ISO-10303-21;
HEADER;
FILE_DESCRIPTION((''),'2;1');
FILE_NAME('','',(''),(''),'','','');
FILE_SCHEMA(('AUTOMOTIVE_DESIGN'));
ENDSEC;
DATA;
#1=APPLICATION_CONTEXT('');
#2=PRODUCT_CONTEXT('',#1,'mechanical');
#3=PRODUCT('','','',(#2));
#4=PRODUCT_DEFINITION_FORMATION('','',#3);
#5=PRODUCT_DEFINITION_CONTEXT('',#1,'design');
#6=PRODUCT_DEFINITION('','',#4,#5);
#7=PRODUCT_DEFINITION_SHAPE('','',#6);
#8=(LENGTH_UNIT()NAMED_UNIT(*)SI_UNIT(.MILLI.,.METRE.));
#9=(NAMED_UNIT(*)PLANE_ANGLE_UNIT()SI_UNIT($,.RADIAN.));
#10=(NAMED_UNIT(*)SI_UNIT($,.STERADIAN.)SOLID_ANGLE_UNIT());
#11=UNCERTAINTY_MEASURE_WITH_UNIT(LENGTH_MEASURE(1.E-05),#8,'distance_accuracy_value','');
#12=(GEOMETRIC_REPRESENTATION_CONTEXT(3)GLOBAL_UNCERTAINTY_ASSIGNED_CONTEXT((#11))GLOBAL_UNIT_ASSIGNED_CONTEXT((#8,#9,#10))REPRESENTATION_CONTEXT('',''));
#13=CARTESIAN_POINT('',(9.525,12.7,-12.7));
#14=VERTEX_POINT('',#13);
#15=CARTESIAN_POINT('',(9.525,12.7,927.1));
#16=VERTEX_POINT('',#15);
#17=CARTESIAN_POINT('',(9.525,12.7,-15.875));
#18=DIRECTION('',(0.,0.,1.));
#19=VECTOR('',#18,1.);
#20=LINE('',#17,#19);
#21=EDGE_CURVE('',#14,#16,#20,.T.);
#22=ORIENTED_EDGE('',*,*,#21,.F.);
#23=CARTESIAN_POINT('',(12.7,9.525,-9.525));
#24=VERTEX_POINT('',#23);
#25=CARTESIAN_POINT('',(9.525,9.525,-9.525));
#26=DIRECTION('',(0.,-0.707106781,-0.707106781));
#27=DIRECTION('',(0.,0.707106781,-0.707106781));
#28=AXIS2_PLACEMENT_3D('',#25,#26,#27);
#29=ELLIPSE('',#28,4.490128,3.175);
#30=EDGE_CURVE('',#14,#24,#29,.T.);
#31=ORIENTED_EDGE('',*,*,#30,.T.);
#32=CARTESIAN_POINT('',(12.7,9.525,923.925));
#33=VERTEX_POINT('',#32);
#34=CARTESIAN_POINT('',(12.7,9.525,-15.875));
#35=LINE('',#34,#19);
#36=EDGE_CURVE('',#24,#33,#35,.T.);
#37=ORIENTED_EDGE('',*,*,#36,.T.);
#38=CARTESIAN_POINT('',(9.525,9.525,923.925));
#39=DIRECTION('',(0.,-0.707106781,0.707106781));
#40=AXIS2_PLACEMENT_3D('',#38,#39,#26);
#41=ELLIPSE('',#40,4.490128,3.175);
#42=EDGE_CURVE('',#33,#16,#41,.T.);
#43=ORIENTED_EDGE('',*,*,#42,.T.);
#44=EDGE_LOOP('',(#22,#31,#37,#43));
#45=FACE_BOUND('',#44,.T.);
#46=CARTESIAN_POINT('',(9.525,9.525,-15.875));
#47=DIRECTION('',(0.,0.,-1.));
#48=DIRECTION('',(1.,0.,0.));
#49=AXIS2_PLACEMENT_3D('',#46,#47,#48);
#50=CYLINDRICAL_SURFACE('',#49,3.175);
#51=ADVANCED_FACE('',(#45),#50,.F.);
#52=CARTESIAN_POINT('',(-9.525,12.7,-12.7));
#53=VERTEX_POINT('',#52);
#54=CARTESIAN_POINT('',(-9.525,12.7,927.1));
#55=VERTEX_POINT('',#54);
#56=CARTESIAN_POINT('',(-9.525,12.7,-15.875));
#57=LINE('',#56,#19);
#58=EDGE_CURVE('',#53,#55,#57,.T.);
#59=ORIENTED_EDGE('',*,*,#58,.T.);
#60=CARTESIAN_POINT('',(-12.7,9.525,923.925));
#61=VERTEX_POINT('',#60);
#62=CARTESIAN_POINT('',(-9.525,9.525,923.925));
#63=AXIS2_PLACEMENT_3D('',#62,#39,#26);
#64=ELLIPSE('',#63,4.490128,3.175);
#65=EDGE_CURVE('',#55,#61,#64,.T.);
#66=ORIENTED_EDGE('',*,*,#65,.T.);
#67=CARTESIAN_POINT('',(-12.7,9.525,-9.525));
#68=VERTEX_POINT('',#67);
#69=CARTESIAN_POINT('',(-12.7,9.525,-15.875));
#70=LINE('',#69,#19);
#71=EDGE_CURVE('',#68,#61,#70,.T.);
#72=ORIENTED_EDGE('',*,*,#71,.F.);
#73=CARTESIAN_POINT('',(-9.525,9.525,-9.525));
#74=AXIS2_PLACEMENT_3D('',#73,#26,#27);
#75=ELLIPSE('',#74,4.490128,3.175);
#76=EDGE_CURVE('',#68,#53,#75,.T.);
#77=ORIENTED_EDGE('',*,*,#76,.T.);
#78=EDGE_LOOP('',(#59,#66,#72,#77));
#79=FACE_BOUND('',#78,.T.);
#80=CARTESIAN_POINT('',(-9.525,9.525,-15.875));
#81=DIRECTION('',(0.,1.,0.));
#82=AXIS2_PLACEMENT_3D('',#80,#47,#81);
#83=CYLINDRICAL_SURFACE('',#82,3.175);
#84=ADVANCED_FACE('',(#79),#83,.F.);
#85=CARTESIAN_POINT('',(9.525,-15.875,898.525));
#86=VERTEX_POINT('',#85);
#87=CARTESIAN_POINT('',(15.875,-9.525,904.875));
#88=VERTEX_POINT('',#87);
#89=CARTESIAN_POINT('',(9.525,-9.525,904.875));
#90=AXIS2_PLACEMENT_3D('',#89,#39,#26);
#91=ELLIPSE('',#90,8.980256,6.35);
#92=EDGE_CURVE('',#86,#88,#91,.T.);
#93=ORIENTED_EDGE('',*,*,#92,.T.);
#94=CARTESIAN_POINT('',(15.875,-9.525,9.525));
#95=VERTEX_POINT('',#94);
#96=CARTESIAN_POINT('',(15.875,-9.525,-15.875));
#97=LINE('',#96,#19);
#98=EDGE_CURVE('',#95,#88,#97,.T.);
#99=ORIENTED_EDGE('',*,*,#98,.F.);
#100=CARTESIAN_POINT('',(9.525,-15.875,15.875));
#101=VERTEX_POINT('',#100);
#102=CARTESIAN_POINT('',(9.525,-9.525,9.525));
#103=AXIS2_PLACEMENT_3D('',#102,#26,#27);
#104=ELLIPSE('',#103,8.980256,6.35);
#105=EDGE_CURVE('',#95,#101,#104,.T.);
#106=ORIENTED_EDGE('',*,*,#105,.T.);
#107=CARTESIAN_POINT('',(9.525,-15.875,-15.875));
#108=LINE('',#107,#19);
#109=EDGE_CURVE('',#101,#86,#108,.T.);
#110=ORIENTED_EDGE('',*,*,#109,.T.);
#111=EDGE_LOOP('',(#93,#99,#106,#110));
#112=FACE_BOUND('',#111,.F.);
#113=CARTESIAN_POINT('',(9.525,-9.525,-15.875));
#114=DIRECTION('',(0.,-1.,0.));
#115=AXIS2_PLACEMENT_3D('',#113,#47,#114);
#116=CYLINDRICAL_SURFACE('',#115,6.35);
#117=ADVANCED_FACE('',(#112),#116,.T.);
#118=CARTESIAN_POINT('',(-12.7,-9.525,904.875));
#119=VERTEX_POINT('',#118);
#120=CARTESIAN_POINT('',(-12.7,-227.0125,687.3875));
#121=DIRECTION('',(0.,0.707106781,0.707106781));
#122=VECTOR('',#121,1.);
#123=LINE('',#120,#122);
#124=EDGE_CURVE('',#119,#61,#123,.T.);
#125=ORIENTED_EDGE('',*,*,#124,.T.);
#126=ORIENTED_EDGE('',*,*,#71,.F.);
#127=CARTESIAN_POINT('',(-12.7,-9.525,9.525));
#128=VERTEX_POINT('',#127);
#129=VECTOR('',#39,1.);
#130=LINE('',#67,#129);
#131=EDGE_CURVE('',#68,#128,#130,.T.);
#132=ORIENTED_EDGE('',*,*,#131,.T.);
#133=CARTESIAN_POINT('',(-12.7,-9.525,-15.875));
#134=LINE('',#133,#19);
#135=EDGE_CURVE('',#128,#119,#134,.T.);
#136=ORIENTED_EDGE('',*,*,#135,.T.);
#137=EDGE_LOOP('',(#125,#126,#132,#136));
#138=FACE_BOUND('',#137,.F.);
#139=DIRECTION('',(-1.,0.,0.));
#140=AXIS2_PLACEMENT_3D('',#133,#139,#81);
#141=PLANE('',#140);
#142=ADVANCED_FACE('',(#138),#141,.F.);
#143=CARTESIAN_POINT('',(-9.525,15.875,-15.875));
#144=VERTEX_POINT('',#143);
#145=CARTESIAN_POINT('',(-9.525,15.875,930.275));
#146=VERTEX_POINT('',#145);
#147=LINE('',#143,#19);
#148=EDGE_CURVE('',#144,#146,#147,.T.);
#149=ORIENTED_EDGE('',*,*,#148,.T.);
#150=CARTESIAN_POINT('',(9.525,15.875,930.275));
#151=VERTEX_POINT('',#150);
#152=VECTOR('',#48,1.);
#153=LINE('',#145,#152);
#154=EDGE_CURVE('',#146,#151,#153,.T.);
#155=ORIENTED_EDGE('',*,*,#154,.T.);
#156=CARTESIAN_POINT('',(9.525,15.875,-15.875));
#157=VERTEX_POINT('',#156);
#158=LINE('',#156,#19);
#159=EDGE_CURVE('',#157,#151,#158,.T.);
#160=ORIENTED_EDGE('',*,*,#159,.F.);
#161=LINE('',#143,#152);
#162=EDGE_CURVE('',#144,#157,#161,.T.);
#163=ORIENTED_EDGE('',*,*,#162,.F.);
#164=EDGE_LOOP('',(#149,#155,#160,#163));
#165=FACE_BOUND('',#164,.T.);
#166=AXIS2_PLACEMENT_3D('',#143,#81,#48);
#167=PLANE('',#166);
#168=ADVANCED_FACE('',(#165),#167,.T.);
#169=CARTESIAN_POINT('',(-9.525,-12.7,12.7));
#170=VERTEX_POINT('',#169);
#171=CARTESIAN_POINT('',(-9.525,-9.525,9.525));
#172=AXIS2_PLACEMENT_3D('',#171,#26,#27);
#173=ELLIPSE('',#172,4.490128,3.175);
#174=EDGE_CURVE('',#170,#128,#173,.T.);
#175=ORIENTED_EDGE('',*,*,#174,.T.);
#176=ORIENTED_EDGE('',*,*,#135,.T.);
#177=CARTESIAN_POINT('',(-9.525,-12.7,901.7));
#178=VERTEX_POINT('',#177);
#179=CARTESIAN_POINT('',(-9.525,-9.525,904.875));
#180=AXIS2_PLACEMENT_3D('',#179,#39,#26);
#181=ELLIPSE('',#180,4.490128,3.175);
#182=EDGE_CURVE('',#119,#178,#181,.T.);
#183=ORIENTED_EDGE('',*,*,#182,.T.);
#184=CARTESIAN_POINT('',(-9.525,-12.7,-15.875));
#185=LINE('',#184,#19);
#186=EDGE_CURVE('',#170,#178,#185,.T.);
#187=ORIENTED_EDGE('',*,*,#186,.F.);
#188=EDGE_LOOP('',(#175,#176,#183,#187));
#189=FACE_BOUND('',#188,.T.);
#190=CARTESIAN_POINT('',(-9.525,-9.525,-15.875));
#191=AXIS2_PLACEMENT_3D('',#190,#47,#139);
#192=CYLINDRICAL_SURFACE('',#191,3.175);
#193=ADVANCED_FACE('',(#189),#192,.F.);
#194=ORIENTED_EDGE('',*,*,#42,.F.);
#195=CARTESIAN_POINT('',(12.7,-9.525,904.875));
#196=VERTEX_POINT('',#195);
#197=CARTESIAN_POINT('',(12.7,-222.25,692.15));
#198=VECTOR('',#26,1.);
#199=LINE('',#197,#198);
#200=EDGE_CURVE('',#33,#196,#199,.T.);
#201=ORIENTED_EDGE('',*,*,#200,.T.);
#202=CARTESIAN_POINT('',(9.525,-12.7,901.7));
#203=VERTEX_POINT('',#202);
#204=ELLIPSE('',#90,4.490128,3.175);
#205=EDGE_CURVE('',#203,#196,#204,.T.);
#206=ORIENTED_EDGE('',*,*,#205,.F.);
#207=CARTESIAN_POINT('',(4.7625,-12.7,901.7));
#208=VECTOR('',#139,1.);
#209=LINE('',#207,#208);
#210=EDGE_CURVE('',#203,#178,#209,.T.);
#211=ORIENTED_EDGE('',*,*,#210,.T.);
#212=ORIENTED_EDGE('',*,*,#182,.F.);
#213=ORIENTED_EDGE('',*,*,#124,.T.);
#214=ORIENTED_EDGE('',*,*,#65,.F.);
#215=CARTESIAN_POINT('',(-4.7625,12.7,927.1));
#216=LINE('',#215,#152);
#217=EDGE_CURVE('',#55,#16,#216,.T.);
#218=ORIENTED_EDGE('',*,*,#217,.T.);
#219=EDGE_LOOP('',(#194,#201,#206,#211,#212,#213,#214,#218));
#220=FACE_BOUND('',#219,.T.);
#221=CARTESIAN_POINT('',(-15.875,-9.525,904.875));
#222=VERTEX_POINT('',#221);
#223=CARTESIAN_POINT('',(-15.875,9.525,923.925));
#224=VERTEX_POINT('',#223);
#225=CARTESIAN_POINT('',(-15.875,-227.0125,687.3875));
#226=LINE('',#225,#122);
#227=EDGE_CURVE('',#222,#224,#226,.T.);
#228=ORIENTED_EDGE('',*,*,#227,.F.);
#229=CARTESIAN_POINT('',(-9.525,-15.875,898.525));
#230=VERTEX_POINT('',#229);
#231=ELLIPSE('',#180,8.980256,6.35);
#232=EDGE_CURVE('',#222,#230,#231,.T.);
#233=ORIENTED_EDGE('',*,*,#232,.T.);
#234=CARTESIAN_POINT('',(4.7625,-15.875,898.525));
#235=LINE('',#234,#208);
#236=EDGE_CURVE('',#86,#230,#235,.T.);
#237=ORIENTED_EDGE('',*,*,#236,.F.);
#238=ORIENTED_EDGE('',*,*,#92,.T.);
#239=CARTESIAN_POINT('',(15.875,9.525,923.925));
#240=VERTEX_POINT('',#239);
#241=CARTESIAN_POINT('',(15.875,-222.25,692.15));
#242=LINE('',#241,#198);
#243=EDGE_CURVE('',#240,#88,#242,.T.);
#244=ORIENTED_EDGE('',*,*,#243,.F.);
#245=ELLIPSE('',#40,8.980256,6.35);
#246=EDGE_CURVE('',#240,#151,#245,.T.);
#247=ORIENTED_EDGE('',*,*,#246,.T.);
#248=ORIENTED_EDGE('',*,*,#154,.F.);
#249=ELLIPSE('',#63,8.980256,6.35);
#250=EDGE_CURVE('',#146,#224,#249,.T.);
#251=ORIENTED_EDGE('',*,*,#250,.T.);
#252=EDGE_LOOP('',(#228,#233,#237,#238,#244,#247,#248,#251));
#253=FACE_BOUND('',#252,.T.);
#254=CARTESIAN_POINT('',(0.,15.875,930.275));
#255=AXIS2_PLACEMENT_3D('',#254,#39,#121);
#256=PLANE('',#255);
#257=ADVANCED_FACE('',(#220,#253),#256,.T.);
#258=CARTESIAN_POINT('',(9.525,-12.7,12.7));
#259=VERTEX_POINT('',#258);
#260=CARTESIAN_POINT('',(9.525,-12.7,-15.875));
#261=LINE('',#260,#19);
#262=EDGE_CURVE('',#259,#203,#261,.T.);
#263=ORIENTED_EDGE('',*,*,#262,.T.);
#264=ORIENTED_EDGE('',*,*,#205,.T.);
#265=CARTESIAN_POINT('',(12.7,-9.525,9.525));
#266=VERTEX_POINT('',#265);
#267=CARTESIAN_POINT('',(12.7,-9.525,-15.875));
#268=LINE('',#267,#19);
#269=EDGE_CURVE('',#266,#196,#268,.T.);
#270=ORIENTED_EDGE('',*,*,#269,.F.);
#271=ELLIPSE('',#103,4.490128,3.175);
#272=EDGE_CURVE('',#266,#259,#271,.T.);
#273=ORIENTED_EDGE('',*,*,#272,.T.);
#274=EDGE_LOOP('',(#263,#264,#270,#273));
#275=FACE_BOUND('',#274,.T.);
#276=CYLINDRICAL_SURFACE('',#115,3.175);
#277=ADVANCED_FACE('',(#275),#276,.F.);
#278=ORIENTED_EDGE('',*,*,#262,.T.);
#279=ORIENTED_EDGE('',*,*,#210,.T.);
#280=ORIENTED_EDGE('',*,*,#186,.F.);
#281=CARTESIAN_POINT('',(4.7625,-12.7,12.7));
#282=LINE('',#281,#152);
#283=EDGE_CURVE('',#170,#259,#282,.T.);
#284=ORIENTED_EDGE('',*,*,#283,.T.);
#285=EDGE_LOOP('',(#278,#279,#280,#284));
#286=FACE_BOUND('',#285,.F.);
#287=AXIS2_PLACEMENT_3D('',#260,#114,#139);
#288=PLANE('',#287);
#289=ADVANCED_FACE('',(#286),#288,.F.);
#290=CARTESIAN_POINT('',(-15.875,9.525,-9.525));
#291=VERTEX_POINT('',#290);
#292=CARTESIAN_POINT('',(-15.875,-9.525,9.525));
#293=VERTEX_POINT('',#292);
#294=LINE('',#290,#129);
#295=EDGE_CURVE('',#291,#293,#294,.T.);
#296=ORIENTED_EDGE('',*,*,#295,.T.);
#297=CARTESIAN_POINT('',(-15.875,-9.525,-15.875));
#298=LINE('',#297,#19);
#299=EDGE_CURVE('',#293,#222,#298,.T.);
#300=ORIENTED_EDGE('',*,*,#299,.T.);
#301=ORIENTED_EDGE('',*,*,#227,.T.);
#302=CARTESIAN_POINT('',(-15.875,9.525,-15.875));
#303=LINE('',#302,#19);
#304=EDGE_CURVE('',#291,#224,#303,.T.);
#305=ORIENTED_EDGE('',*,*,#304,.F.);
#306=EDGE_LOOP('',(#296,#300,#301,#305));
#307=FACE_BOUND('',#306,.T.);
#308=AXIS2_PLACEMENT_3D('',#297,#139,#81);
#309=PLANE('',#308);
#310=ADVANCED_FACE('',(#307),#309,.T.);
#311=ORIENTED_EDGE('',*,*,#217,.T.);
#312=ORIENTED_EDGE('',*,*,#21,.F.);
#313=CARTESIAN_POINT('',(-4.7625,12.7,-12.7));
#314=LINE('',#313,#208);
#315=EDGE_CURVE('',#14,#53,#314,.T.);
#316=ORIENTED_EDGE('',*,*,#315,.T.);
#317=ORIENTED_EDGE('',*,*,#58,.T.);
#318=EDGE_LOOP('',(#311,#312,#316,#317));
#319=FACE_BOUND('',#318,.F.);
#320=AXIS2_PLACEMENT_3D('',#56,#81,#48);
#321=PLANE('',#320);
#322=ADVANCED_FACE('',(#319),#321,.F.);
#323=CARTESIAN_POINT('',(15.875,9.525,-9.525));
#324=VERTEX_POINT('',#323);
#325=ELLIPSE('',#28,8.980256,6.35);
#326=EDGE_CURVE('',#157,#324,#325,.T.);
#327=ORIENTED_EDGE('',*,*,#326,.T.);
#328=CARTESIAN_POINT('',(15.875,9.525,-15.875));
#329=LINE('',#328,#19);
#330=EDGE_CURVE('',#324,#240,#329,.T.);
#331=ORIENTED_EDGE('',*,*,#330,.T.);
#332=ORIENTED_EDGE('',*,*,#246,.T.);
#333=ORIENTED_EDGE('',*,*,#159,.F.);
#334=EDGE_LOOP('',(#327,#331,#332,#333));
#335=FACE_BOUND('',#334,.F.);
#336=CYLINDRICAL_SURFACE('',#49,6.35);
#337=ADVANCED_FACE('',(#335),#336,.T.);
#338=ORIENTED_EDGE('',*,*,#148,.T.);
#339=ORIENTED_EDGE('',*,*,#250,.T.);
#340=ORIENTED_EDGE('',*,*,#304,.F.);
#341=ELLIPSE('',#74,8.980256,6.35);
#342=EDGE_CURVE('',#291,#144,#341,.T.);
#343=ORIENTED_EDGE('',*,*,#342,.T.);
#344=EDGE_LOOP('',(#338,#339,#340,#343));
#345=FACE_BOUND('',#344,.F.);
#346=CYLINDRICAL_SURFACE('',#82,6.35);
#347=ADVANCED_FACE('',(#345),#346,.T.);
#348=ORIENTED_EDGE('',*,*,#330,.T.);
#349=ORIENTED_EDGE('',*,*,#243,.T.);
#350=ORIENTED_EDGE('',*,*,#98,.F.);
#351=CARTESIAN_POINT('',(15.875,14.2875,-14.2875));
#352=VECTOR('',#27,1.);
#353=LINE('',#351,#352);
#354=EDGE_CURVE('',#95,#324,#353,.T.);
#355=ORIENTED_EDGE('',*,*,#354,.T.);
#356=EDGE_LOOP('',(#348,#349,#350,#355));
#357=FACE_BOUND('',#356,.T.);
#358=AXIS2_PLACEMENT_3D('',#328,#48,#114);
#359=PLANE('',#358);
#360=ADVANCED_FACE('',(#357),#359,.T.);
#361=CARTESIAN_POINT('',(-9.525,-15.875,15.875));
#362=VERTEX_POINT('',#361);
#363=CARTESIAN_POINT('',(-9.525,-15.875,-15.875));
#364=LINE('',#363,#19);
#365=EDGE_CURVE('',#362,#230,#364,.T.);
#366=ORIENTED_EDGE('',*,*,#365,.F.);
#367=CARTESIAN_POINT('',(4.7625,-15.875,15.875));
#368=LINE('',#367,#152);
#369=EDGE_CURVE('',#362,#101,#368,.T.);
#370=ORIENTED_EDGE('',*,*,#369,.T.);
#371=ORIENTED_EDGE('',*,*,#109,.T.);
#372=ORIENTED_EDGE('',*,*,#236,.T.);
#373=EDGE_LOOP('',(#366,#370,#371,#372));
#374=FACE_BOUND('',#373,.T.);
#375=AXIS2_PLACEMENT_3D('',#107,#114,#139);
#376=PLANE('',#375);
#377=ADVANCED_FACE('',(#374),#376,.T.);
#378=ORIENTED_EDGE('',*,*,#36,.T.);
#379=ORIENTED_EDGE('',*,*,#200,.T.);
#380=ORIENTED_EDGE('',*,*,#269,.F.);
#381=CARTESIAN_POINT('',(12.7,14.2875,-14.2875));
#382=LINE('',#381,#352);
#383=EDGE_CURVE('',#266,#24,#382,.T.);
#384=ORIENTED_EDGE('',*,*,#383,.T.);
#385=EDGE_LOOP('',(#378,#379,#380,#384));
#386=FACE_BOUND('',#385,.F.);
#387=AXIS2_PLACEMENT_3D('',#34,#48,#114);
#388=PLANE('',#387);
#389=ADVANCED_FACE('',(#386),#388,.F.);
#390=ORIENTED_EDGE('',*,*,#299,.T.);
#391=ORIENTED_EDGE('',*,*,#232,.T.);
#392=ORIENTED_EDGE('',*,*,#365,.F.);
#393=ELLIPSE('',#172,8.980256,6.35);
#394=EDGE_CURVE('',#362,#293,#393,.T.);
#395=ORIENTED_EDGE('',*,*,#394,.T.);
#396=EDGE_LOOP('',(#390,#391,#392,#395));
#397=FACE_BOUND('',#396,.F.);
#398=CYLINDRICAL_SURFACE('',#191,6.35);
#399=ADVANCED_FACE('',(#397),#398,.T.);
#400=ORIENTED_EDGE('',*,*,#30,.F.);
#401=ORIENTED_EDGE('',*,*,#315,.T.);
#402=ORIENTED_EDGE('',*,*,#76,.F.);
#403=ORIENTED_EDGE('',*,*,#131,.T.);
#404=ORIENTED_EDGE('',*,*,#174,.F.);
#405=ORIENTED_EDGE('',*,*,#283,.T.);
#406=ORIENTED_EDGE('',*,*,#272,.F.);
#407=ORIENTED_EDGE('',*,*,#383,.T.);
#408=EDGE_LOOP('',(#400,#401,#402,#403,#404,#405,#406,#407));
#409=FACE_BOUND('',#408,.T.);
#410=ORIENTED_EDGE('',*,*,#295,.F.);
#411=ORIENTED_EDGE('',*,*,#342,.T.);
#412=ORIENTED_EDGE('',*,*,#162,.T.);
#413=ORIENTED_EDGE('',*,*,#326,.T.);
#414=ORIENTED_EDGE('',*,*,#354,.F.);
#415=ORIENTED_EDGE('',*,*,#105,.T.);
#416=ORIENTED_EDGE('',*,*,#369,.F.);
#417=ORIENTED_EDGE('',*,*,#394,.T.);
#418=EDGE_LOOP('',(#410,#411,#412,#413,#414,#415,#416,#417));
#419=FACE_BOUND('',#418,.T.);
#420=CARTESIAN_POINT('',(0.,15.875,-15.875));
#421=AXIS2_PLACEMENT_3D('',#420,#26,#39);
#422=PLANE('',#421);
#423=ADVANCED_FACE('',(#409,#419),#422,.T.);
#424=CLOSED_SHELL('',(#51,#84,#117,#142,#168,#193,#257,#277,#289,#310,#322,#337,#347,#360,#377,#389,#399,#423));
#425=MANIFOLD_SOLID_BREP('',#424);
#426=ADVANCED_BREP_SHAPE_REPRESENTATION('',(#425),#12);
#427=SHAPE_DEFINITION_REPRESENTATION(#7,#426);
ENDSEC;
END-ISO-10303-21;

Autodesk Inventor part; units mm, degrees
ref_plane "Start plane" through (0, 0, -15.875) normal (0, 0, 1) x (1, 0, 0)
ref_plane "End plane" through (0, 0, 930.275) normal (0, 0, 1) x (1, 0, 0)
sketch "Sketch" plane through (0, 0, 0) normal (0, 0, 1) x (1, 0, 0)
  line L0 (-15.875, -9.525) -> (-15.875, 9.525)
  line L1 (-9.525, 15.875) -> (9.525, 15.875)
  line L2 (15.875, 9.525) -> (15.875, -9.525)
  line L3 (9.525, -15.875) -> (-9.525, -15.875)
  arc A0 (-15.875, -9.525) -> (-9.525, -15.875) centre (-9.525, -9.525) ccw
  arc A1 (-9.525, 15.875) -> (-15.875, 9.525) centre (-9.525, 9.525) ccw
  arc A2 (15.875, 9.525) -> (9.525, 15.875) centre (9.525, 9.525) ccw
  arc A3 (9.525, -15.875) -> (15.875, -9.525) centre (9.525, -9.525) ccw
  arc A4 (-9.525, 12.7) -> (-12.7, 9.525) centre (-9.525, 9.525) ccw
  line L4 (-9.525, 12.7) -> (9.525, 12.7)
  arc A5 (12.7, 9.525) -> (9.525, 12.7) centre (9.525, 9.525) ccw
  line L5 (12.7, 9.525) -> (12.7, -9.525)
  arc A6 (9.525, -12.7) -> (12.7, -9.525) centre (9.525, -9.525) ccw
  line L6 (9.525, -12.7) -> (-9.525, -12.7)
  arc A7 (-12.7, -9.525) -> (-9.525, -12.7) centre (-9.525, -9.525) ccw
  line L7 (-12.7, -9.525) -> (-12.7, 9.525)
  line L8 (0, 24.0662) -> (0, -24.0662) construction
  line L9 (-24.0662, 0) -> (24.0662, 0) construction
  dimension "d10" = 31.75
  dimension "d11" = 31.75
  dimension "d12" = 3.175
  dimension "d15" = 15.875
  dimension "d16" = 15.875
  dimension "d17" = 6.35
extrude "Body" add sketch "Sketch" along normal up to surface (946.15 mm away) from surface at -15.875
sketch "Sketch3" plane through (0, 0, 0) normal (0, 0, 1) x (1, 0, 0)
  line L0 (0, 0) -> (10, 0)
ref_plane "Work Plane3" through (0, 0, 0) normal (0, -1, 0) x (1, 0, 0)
sketch "Sketch4" plane through (0, 0, 0) normal (0, -1, 0) x (1, 0, 0)
  line L0 (-2, -15.875) -> (12, -15.875)
  line L1 (-2, 930.275) -> (12, 930.275)
  dimension "d19" = 946.15
ref_plane "Work Plane4" through (0, 15.875, -15.875) normal (0, -0.7071, -0.7071) x (1, 0, 0)
split "Split1" plane through (0, 15.875, -15.875) removes the side toward (0, -0.7071, -0.7071)
ref_plane "Work Plane5" through (0, 15.875, 930.275) normal (0, -0.7071, 0.7071) x (1, 0, 0)
split "Split2" plane through (0, 15.875, 930.275) removes the side toward (0, -0.7071, 0.7071)
equation "\"d10\" = G_H"
equation "\"d11\" = G_W"
equation "\"d12\" = G_T"
equation "\"d15\" = 0.5 * d10"
equation "\"d16\" = 0.5 * d11"
equation "\"d17\" = G_IR"
equation "\"d3\" = G_L"
equation "\"G_W\" = 31.75"
equation "\"G_H\" = 31.75"
equation "\"G_T\" = 3.175"
equation "\"G_IR\" = 6.35"
equation "\"G_L\" = d19"
equation "\"G_OFFSET_START\" = 15.875"
equation "\"G_OFFSET_END\" = 15.875"
equation "\"d13\" = -G_OFFSET_START"
equation "\"d14\" = G_OFFSET_END + B_L"
equation "\"B_L\" = 914.4"
properties part number "AISC HSS - 1-1/4x1-1/4x1/8 - 37.25" material "Steel, Mild"
